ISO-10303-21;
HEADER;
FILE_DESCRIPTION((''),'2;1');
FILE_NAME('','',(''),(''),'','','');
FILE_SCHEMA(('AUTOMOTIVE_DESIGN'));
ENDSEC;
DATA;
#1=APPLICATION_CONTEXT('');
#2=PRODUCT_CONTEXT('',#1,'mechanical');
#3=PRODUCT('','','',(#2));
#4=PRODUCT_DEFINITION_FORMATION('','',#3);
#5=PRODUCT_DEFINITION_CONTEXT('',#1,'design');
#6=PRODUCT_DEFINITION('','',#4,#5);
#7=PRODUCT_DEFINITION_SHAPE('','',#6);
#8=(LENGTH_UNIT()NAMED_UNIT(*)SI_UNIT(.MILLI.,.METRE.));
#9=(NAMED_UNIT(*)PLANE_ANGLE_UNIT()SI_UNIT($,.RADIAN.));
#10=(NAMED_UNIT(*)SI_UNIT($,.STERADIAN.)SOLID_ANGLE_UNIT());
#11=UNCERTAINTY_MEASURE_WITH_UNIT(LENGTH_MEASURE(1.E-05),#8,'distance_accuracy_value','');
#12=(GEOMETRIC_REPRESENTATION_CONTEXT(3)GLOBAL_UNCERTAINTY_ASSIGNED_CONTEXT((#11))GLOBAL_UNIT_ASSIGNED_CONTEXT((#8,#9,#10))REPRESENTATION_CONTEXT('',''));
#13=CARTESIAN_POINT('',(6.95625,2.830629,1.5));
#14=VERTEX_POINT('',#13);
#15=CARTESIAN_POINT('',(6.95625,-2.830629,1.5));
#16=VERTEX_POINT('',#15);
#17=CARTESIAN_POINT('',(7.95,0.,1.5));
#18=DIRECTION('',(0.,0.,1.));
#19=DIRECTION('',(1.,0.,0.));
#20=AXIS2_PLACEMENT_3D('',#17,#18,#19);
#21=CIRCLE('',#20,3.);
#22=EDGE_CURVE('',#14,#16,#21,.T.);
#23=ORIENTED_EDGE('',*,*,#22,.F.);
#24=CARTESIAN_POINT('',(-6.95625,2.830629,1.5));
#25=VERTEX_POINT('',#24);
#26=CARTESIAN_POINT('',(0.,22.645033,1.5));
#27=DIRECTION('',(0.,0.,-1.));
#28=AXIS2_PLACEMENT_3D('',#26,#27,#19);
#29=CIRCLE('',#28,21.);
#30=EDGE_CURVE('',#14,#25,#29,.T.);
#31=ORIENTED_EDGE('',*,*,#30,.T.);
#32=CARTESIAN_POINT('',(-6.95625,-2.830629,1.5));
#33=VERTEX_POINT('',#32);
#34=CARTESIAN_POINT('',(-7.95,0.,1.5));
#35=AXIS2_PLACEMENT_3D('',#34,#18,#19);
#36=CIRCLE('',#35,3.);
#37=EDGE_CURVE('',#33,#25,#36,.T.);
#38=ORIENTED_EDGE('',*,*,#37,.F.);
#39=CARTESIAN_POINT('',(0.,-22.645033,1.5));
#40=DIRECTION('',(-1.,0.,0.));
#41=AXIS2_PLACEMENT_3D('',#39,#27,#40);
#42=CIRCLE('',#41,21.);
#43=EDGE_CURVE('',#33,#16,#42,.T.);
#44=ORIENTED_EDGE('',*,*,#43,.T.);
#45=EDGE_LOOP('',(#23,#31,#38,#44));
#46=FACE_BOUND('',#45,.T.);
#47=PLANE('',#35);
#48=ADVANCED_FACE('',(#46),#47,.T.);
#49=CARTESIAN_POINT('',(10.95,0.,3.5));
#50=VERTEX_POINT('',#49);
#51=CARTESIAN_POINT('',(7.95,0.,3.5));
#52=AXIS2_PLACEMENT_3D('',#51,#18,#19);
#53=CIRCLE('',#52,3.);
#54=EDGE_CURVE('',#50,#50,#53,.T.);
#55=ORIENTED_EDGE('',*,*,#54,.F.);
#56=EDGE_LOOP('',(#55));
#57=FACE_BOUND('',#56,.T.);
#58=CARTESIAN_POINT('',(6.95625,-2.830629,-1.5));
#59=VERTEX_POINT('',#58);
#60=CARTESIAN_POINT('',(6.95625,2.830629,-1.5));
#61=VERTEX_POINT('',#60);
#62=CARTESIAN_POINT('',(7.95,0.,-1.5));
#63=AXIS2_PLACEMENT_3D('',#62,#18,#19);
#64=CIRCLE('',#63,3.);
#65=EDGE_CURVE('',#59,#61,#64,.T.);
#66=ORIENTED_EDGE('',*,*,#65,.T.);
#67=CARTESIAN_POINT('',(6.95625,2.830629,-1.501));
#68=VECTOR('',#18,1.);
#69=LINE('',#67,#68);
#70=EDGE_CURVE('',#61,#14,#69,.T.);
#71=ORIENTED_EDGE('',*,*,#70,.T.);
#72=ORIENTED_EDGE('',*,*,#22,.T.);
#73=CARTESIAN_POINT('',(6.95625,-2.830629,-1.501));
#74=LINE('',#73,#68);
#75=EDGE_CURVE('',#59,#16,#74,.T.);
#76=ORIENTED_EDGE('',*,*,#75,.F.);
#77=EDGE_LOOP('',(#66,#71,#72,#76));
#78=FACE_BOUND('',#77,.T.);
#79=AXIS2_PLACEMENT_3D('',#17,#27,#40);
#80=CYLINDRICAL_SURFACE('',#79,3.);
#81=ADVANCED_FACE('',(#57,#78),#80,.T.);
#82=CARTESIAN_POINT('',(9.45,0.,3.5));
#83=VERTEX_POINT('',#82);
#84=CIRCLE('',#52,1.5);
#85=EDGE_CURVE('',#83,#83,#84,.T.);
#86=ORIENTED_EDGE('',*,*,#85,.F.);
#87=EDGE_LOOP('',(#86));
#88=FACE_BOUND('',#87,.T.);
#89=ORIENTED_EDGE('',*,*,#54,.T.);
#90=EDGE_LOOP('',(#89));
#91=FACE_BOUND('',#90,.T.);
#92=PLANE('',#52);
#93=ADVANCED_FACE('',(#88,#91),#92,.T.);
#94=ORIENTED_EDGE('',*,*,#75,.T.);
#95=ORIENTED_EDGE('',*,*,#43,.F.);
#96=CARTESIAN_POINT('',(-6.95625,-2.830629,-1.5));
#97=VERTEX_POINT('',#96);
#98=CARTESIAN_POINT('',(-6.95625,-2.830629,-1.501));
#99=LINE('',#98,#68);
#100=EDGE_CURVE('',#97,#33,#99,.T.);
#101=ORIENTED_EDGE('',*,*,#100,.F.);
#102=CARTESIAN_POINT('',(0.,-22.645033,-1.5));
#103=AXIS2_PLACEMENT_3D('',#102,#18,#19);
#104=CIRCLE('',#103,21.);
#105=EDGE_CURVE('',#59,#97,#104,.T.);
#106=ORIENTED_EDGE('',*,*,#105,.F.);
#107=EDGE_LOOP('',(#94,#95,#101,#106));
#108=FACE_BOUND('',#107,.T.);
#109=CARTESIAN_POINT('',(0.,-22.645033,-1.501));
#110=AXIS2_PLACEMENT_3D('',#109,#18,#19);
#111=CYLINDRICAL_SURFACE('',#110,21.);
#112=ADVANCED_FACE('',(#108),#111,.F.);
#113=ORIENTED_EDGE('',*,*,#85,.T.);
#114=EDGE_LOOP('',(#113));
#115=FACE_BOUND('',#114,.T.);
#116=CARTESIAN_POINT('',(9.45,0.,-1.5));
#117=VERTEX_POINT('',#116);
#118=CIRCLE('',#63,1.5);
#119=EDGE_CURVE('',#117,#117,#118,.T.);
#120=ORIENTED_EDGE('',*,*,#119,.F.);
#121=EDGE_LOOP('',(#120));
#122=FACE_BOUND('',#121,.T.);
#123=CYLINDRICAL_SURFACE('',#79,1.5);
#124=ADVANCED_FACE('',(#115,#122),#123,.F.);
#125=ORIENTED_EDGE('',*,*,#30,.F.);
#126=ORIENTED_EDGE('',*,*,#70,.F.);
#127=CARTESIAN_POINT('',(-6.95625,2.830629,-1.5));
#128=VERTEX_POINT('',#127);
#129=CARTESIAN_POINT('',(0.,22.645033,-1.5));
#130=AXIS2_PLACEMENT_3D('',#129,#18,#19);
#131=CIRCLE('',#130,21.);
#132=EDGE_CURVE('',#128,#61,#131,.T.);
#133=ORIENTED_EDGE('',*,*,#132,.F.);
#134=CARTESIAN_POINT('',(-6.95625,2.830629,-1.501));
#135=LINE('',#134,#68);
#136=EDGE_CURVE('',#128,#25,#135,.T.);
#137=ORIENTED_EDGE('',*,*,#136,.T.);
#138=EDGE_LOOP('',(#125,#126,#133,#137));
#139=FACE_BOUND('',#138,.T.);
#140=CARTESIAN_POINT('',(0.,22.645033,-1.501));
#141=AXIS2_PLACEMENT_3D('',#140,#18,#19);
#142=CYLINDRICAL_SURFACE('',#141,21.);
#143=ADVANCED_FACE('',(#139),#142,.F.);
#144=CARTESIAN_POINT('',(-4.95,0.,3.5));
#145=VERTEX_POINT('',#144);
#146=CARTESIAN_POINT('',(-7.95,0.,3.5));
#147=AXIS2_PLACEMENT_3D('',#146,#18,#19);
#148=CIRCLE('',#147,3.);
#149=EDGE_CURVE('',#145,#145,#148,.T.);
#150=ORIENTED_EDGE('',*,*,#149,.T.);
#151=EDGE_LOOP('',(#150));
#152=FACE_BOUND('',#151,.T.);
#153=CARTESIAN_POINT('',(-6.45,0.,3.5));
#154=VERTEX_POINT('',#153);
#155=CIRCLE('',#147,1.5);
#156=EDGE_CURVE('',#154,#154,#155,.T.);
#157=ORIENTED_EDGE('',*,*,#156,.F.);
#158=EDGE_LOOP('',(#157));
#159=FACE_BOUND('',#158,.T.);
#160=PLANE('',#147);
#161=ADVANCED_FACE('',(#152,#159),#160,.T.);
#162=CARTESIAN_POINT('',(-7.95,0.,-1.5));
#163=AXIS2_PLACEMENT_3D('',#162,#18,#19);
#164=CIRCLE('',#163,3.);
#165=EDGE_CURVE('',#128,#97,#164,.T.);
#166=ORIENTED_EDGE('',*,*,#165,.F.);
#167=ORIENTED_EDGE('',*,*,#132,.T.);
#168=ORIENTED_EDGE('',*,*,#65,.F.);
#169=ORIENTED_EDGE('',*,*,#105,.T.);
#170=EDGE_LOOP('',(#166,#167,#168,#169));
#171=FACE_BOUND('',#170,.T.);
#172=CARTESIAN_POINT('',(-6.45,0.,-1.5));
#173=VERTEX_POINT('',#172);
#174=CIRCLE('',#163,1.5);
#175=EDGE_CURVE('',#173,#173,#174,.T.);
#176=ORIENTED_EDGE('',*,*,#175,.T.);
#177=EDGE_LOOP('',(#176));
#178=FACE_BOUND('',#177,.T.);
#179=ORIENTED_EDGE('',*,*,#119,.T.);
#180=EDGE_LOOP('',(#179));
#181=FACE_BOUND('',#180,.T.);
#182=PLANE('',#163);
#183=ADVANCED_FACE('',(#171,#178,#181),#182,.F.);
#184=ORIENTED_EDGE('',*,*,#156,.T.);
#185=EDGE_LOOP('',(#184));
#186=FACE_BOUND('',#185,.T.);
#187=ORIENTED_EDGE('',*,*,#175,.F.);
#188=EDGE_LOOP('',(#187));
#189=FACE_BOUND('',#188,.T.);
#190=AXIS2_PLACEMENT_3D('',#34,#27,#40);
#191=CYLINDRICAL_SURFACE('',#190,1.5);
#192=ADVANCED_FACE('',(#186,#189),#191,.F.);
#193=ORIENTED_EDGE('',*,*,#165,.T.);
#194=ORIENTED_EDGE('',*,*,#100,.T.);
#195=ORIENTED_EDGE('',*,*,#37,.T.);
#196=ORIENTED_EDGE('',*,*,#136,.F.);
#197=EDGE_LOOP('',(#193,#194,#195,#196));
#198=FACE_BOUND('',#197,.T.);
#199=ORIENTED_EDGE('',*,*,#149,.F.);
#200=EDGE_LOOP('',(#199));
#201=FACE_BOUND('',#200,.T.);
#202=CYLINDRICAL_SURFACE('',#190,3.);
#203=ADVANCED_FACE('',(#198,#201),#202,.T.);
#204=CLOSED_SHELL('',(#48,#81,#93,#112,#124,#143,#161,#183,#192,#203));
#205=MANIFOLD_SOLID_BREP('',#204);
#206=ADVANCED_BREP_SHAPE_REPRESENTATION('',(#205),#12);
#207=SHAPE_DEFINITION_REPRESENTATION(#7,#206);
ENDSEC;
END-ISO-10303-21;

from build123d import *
from build123d.topology import SkipClean

# Parameters (mm, degrees)
SKETCH1_R           = 1.5
BOSS_EXTRUDE1_DEPTH = 1.5
SKETCH2_OUTSIDE_W   = 28.48
SKETCH2_OUTSIDE_H   = 12.58
CUT_EXTRUDE1_DEPTH  = 3
BOSS_EXTRUDE2_START = 2
SKETCH3_R           = 3
SKETCH3_R_2         = 1.5
BOSS_EXTRUDE2_DEPTH = 2


with BuildPart() as part:
    # Sketch1 → Boss-Extrude1 (new, symmetric)
    with BuildSketch(Plane.XY):
        with BuildLine():
            Line((-7.95, 3), (7.95, 3))
            ThreePointArc((7.95, 3), (10.95, 0), (7.95, -3))
            Line((7.95, -3), (-7.95, -3))
            ThreePointArc((-7.95, -3), (-10.95, 0), (-7.95, 3))
        make_face()
        with Locations((-7.95, 0)):
            Circle(SKETCH1_R, mode=Mode.SUBTRACT)
        with Locations((7.95, 0)):
            Circle(SKETCH1_R, mode=Mode.SUBTRACT)
    extrude(amount=BOSS_EXTRUDE1_DEPTH, both=True)

    # Sketch2 outside → Cut-Extrude1 (cut)
    with SkipClean():  # the faces are left unmerged after this step: merging them gives an invalid solid
        with BuildSketch(Plane.XY.offset(1.5)):
            Rectangle(SKETCH2_OUTSIDE_W, SKETCH2_OUTSIDE_H)
            with BuildLine():
                ThreePointArc((-6.95625, 2.830629071), (-10.95, 0), (-6.95625, -2.830629071))
                ThreePointArc((-6.95625, -2.830629071), (0, -1.645032568), (6.95625, -2.830629071))
                ThreePointArc((6.95625, -2.830629071), (10.95, 0), (6.95625, 2.830629071))
                ThreePointArc((6.95625, 2.830629071), (0, 1.645032568), (-6.95625, 2.830629071))
            make_face(mode=Mode.SUBTRACT)
        extrude(amount=-CUT_EXTRUDE1_DEPTH, mode=Mode.SUBTRACT)

    # Sketch3 → Boss-Extrude2 (add)
    # profile 1 of 2: a face of its own
    with SkipClean():  # the faces are left unmerged after this step: merging them gives an invalid solid
        with BuildSketch(Plane.XY.offset(1.5).offset(BOSS_EXTRUDE2_START)):
            with Locations(Location((-7.95, 0, 0), (0, 0, 289.344662967))):
                Circle(SKETCH3_R)
            with Locations((-7.95, 0)):
                Circle(SKETCH3_R_2, mode=Mode.SUBTRACT)
        # profile 2 of 2: a face of its own
        with BuildSketch(Plane.XY.offset(1.5).offset(BOSS_EXTRUDE2_START)):
            with Locations(Location((7.95, 0, 0), (0, 0, 250.655337033))):
                Circle(SKETCH3_R)
            with Locations((7.95, 0)):
                Circle(SKETCH3_R_2, mode=Mode.SUBTRACT)
        extrude(amount=-BOSS_EXTRUDE2_DEPTH)


solid = part.part
